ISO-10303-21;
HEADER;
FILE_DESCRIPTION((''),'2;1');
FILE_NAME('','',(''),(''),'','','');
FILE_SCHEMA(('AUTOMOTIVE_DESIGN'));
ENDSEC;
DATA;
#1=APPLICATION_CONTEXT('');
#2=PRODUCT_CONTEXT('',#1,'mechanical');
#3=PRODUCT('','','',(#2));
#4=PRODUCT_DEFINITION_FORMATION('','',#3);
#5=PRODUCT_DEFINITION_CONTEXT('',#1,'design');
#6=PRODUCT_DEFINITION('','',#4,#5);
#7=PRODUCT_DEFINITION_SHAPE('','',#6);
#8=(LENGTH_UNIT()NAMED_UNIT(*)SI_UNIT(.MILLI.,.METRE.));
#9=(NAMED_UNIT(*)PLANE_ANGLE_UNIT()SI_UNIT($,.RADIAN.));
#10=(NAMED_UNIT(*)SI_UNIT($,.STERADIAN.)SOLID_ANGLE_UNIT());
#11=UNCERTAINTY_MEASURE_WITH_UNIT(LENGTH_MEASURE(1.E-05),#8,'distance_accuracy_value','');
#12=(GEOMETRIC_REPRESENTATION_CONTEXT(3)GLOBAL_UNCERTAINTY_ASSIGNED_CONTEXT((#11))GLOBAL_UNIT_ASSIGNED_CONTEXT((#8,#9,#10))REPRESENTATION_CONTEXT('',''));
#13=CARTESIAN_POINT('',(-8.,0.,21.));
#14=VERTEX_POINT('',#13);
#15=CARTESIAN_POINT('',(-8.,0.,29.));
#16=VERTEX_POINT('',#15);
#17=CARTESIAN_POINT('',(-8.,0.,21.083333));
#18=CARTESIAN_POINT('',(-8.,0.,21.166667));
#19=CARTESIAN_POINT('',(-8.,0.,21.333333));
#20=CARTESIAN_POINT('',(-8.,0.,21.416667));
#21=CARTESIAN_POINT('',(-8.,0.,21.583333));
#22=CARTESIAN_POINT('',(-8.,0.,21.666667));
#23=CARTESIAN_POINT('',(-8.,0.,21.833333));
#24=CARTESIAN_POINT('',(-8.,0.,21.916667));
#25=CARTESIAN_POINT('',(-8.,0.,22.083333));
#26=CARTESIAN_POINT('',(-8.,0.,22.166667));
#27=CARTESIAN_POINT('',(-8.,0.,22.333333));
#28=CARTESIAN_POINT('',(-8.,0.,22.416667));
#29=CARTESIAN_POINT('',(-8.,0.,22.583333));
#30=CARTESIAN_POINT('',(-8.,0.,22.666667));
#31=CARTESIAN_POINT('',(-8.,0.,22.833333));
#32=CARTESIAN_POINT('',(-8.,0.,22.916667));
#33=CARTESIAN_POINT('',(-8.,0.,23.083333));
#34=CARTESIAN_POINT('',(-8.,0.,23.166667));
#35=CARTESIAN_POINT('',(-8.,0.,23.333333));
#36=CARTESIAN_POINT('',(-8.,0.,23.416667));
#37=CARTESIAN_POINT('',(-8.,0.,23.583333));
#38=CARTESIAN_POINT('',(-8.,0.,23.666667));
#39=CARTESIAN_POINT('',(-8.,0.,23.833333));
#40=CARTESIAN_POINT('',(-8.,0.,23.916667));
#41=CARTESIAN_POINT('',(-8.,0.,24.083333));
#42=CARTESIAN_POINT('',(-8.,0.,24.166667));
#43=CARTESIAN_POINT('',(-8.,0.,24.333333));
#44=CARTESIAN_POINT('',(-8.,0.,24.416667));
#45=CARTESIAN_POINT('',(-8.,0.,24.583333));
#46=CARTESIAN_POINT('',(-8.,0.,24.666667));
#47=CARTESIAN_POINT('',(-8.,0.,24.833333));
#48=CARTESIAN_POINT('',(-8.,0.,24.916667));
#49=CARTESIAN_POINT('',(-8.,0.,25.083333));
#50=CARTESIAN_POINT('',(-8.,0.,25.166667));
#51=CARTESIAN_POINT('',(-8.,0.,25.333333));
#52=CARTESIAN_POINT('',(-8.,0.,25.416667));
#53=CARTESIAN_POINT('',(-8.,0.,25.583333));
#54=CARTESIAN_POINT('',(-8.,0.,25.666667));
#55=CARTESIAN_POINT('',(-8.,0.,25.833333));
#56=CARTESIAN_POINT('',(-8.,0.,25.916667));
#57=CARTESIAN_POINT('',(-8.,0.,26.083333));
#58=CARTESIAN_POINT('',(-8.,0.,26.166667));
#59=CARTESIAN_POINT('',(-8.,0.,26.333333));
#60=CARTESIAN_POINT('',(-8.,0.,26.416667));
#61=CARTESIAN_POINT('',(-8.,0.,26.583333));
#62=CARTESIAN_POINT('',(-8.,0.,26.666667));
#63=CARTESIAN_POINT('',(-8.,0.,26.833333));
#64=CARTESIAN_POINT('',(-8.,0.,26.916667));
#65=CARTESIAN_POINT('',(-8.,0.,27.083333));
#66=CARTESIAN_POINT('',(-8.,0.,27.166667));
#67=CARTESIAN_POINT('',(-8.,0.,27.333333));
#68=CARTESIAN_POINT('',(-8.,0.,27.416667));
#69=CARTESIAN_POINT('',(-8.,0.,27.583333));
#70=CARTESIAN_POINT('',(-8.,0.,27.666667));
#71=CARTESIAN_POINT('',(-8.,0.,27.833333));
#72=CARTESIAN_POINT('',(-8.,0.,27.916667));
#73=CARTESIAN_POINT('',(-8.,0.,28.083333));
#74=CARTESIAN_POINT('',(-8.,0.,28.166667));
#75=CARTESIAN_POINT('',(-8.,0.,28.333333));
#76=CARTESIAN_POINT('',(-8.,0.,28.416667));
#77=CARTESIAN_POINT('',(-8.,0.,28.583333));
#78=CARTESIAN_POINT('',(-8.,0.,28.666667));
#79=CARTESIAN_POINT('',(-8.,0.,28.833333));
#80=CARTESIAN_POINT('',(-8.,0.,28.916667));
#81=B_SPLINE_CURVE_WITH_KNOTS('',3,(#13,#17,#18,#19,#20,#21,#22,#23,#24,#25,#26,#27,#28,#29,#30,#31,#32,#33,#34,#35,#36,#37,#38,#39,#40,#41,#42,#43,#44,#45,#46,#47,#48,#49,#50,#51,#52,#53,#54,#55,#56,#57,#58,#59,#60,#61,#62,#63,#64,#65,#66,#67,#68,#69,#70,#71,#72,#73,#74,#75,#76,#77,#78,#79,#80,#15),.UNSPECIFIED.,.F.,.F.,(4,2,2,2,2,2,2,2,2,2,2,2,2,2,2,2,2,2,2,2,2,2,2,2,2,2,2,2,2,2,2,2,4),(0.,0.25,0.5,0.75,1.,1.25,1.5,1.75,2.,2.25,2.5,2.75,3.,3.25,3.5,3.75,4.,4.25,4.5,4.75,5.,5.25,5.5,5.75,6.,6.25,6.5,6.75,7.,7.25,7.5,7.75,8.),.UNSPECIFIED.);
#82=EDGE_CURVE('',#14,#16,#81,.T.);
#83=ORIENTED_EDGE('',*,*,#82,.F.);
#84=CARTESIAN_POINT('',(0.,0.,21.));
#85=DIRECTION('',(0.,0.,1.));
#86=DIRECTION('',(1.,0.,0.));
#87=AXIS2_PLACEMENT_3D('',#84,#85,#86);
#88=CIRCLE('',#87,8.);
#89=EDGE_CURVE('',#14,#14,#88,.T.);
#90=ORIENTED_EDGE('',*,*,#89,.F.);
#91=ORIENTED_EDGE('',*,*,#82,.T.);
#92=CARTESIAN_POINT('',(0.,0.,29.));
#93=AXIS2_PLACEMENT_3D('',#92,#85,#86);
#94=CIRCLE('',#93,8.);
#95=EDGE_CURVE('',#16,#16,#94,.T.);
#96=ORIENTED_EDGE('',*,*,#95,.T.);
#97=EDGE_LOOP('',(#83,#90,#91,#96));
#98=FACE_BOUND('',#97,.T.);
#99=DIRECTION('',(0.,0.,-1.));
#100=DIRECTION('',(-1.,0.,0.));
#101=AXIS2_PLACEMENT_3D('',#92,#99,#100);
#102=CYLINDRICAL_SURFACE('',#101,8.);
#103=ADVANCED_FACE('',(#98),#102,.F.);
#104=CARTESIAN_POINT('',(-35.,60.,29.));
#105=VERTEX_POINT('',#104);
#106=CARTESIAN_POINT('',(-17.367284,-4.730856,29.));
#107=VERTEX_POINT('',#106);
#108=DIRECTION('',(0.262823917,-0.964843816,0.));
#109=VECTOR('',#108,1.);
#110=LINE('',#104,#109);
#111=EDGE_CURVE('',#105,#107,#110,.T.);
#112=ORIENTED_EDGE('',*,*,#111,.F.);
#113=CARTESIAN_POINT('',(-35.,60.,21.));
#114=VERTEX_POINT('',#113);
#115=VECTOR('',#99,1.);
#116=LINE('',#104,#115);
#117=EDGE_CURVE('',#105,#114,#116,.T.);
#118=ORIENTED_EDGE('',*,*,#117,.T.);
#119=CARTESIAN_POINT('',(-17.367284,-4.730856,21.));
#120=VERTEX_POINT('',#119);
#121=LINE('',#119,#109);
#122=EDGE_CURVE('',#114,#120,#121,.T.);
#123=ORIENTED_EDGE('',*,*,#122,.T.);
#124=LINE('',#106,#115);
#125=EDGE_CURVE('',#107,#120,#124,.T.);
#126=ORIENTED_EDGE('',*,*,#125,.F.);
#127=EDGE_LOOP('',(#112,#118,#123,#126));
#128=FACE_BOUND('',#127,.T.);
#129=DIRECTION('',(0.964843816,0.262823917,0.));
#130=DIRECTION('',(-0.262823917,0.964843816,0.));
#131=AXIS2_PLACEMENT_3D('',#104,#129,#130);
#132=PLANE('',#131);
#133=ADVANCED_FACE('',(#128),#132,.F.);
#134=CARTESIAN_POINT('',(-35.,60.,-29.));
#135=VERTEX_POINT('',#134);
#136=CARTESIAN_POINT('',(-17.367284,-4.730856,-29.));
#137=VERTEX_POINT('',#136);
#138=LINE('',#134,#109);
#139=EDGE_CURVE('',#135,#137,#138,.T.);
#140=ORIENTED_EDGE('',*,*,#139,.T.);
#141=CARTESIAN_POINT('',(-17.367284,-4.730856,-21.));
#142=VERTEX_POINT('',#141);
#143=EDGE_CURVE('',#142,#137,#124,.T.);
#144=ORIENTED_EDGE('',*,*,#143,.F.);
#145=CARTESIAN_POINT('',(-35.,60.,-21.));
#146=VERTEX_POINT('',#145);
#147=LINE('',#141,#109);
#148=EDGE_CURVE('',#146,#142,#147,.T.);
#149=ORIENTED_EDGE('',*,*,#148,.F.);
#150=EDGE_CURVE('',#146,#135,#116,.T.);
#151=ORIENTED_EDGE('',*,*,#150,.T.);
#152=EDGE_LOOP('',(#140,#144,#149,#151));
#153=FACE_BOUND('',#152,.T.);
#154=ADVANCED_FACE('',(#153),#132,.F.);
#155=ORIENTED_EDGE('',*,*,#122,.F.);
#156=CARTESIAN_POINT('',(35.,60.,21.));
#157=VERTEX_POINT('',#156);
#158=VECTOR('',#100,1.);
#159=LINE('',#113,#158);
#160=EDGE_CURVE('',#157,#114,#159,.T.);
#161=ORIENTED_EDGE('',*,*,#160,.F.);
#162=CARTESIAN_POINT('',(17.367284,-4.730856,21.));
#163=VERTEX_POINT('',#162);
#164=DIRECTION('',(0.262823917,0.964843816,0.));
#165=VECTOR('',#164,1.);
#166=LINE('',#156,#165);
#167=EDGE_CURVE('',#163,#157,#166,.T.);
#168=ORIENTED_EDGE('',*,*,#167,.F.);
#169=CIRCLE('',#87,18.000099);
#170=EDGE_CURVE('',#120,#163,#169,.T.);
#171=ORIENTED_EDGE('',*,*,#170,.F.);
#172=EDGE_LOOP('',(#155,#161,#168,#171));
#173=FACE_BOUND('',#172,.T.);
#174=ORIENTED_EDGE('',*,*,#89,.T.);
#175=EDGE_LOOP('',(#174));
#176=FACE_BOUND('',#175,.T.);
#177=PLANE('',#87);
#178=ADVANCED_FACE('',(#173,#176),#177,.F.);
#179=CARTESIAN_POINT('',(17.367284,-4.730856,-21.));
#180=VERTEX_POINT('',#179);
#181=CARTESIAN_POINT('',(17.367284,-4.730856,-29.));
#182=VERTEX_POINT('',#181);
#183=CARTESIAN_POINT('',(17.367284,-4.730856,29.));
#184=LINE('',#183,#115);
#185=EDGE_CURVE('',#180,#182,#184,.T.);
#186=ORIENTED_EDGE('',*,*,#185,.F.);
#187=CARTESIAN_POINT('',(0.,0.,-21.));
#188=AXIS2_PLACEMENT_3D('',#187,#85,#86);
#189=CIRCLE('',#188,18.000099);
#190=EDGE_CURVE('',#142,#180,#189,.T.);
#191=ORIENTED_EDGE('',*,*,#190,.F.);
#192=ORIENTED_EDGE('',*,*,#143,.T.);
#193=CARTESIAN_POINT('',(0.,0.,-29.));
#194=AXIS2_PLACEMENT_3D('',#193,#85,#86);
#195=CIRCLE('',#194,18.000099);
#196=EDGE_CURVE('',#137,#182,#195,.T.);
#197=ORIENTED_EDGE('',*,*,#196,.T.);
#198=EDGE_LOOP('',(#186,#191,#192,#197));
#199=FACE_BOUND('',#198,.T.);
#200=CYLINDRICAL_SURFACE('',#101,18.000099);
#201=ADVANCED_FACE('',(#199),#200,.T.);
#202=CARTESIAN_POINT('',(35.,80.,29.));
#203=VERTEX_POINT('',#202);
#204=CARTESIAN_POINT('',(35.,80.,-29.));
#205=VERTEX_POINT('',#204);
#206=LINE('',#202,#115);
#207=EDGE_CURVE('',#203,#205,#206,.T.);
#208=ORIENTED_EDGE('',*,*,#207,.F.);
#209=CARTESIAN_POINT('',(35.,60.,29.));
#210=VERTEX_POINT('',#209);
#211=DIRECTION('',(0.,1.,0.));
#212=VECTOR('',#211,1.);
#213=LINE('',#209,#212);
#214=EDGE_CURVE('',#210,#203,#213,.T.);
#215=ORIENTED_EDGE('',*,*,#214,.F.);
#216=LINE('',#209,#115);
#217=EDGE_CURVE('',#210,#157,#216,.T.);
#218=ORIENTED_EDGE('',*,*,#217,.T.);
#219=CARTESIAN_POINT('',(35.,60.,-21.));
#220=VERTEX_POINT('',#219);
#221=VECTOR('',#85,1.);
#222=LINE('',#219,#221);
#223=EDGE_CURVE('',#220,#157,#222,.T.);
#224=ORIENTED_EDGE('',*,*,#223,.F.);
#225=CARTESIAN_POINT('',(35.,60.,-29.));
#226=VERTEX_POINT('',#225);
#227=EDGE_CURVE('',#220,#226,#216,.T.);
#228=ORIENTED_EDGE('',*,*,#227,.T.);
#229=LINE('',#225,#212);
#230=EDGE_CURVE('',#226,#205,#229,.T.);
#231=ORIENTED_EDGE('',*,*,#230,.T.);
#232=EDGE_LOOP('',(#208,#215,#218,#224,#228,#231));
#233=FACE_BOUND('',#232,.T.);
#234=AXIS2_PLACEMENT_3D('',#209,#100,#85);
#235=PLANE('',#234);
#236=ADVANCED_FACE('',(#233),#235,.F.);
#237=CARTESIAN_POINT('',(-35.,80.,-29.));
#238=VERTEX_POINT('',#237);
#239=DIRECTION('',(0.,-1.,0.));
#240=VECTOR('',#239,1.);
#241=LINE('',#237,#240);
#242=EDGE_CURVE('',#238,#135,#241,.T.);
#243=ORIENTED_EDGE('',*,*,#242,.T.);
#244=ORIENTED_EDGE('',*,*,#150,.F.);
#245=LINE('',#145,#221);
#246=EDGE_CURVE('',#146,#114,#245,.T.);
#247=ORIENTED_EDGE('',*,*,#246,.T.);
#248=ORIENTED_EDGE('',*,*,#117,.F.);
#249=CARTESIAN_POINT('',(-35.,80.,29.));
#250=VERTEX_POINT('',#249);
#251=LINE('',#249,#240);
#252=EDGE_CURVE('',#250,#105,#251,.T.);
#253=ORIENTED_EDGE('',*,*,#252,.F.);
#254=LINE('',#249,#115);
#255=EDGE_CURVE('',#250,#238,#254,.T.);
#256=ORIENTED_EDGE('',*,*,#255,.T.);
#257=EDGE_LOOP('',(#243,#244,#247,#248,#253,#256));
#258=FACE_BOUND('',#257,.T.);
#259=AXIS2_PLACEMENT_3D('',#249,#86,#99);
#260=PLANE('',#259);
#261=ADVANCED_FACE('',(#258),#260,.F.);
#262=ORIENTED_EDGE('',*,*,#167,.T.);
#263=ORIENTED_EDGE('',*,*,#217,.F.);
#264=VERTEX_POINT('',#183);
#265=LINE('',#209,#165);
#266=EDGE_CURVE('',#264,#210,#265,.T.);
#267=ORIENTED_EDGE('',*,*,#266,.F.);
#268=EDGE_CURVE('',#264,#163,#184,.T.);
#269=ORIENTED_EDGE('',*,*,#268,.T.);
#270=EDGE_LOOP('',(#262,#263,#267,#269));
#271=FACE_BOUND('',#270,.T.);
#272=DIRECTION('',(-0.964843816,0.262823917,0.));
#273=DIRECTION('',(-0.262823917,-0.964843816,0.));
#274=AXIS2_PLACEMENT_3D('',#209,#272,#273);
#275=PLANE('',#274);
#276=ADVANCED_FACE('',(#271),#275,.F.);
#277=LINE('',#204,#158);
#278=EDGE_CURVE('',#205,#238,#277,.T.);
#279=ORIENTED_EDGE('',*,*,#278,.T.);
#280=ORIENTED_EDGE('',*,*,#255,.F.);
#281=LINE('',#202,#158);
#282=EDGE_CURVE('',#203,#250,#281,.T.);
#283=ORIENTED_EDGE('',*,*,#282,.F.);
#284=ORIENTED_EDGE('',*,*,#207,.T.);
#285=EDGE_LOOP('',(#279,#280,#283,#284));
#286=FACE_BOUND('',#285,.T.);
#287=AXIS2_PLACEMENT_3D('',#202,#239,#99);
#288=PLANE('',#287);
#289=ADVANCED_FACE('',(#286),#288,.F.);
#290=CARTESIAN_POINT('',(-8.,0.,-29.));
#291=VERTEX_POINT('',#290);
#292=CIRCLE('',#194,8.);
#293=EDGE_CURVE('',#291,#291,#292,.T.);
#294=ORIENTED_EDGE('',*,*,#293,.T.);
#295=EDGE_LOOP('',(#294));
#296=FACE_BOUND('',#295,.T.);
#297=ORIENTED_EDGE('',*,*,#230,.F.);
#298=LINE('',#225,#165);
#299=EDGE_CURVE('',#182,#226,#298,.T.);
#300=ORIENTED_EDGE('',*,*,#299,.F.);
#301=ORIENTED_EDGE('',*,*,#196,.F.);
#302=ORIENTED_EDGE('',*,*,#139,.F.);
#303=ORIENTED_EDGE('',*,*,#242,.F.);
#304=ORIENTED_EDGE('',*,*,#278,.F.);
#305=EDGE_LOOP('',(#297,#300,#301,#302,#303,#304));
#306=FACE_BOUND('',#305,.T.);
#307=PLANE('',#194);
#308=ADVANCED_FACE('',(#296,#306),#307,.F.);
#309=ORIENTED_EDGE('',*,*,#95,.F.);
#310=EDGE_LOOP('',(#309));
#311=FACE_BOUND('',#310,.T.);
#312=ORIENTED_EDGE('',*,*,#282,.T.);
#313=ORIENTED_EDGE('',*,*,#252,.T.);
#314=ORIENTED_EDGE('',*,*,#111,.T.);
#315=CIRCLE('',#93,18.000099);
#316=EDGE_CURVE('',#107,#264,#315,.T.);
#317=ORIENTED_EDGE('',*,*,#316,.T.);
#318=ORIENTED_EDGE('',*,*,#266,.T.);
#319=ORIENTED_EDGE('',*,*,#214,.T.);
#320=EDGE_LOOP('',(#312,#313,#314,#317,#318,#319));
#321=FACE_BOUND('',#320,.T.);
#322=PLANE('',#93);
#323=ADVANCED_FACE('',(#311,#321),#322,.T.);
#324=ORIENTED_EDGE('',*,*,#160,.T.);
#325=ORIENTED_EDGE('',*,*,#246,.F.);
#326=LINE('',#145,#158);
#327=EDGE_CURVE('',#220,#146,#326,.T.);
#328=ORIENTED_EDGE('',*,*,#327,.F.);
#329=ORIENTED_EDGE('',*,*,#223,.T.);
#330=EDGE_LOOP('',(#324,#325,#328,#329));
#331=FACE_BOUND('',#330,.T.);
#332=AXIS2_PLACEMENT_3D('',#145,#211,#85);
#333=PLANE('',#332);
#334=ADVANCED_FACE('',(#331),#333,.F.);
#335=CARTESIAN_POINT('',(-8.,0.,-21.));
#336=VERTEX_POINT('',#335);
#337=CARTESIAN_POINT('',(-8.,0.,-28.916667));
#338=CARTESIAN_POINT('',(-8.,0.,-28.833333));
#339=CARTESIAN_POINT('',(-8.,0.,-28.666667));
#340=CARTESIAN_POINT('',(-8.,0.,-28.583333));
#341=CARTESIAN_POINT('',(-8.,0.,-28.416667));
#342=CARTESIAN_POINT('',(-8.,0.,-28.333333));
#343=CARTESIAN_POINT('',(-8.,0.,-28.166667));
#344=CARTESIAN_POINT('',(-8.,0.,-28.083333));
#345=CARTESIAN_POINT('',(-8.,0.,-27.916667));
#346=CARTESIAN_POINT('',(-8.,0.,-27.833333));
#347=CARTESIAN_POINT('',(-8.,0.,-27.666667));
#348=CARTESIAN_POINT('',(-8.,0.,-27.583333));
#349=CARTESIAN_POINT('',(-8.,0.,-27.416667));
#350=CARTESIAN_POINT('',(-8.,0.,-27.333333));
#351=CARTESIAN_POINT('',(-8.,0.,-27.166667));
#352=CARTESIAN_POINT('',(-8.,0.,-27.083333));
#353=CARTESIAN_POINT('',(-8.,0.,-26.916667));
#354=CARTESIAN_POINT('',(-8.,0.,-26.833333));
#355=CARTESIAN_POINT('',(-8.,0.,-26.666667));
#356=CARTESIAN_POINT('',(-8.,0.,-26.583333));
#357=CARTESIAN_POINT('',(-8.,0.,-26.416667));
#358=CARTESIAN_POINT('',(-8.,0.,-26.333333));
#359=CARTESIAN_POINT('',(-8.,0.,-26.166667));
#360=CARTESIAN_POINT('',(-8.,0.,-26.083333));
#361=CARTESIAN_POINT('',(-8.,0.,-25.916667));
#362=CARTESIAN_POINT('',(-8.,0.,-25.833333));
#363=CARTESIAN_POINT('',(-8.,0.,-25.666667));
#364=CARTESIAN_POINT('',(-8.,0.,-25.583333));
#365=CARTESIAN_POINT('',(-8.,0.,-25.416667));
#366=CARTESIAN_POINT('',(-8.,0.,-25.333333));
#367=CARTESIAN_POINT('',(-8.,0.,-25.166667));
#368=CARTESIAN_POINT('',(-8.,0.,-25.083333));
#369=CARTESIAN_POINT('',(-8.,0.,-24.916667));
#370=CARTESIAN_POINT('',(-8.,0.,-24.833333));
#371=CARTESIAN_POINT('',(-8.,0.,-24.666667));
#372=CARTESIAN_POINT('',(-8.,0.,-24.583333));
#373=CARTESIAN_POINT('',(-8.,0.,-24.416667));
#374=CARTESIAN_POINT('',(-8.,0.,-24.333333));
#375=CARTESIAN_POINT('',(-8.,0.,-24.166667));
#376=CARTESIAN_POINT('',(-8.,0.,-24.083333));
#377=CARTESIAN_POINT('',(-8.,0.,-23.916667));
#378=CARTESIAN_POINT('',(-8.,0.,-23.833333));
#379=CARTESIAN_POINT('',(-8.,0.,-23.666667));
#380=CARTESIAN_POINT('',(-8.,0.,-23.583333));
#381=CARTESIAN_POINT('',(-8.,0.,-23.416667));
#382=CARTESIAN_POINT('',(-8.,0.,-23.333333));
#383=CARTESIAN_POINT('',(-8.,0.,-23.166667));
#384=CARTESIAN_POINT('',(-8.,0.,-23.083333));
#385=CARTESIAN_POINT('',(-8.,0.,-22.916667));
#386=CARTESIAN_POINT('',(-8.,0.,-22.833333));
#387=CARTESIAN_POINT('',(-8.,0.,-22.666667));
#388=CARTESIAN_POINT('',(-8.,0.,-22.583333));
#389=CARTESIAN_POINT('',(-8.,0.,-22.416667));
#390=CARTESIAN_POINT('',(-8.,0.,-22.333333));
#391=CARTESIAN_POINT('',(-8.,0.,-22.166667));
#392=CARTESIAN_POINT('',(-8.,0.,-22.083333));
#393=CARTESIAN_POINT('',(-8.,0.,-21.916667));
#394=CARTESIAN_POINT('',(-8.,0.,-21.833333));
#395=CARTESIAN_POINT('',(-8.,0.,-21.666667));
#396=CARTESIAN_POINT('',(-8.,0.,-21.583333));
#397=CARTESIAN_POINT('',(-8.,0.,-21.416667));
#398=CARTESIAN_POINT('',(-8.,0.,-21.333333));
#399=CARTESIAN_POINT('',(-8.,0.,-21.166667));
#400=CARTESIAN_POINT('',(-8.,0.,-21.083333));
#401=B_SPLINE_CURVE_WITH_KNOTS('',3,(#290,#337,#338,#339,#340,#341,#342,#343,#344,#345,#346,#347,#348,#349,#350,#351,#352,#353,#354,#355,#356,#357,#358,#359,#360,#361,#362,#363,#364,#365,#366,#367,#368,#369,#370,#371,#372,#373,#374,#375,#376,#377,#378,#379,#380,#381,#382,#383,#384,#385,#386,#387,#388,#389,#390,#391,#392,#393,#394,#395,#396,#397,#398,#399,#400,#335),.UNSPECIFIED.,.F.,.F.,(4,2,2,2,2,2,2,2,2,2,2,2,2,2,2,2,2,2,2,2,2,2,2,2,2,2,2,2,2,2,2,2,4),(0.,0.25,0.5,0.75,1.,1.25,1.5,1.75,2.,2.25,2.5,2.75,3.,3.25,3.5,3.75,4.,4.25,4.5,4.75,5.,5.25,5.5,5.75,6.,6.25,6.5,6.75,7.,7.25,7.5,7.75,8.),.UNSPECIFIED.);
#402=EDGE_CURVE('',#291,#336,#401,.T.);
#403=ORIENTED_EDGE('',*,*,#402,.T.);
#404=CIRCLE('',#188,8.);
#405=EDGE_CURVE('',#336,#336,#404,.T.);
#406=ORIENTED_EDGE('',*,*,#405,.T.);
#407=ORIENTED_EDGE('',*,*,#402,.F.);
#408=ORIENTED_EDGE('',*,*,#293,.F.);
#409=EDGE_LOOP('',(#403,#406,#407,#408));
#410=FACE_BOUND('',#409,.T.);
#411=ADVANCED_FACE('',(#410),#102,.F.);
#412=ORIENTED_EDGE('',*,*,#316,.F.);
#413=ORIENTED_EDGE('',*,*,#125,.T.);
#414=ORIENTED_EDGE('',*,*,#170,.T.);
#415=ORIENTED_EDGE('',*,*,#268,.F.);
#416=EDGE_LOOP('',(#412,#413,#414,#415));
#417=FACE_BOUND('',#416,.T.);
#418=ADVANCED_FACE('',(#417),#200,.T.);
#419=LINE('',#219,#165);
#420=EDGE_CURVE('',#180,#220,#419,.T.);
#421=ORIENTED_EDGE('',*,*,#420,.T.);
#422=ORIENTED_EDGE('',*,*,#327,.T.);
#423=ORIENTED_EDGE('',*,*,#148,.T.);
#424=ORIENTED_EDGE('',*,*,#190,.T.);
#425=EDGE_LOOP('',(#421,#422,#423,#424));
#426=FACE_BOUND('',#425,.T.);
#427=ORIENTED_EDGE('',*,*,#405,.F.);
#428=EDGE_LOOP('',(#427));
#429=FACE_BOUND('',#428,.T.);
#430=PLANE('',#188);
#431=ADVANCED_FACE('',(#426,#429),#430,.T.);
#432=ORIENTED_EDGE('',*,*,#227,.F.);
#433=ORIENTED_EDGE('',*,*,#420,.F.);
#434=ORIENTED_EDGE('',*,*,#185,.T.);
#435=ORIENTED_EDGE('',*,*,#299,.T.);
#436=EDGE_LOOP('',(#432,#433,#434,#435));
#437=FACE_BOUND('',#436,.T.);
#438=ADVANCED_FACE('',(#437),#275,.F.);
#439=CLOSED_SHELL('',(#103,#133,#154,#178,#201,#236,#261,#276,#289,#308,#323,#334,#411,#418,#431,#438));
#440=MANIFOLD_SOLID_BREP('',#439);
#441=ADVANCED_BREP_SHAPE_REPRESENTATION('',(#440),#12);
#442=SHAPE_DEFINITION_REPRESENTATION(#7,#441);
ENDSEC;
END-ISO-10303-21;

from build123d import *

# Parameters (mm, degrees)
SKETCH_1_R          = 8
EXTRUDE_1_DEPTH     = 29
CUT_EXTRUDE_1_DEPTH = 21


with BuildPart() as part:
    # 草图1 → 凸台-拉伸1 (new, symmetric)
    with BuildSketch(Plane.XY):
        with BuildLine():
            Line((35, 60), (17.367283762, -4.730856402))
            ThreePointArc((17.367283762, -4.730856402), (0, -18.000098543), (-17.367283762, -4.730856402))
            Line((-17.367283762, -4.730856402), (-35, 60))
            Line((-35, 60), (-35, 80))
            Line((-35, 80), (35, 80))
            Line((35, 80), (35, 60))
        make_face()
        with Locations(Location((0, 0, 0), (0, 0, 180))):
            Circle(SKETCH_1_R, mode=Mode.SUBTRACT)
    extrude(amount=EXTRUDE_1_DEPTH, both=True)

    # 草图2 → 切除-拉伸1 (cut, symmetric)
    with BuildSketch(Plane.XY):
        with BuildLine():
            Line((-35, 60), (35, 60))
            Line((35, 60), (17.367283762, -4.730856402))
            ThreePointArc((17.367283762, -4.730856402), (0, -18.000098543), (-17.367283762, -4.730856402))
            Line((-17.367283762, -4.730856402), (-35, 60))
        make_face()
    extrude(amount=CUT_EXTRUDE_1_DEPTH, both=True, mode=Mode.SUBTRACT)


solid = part.part
